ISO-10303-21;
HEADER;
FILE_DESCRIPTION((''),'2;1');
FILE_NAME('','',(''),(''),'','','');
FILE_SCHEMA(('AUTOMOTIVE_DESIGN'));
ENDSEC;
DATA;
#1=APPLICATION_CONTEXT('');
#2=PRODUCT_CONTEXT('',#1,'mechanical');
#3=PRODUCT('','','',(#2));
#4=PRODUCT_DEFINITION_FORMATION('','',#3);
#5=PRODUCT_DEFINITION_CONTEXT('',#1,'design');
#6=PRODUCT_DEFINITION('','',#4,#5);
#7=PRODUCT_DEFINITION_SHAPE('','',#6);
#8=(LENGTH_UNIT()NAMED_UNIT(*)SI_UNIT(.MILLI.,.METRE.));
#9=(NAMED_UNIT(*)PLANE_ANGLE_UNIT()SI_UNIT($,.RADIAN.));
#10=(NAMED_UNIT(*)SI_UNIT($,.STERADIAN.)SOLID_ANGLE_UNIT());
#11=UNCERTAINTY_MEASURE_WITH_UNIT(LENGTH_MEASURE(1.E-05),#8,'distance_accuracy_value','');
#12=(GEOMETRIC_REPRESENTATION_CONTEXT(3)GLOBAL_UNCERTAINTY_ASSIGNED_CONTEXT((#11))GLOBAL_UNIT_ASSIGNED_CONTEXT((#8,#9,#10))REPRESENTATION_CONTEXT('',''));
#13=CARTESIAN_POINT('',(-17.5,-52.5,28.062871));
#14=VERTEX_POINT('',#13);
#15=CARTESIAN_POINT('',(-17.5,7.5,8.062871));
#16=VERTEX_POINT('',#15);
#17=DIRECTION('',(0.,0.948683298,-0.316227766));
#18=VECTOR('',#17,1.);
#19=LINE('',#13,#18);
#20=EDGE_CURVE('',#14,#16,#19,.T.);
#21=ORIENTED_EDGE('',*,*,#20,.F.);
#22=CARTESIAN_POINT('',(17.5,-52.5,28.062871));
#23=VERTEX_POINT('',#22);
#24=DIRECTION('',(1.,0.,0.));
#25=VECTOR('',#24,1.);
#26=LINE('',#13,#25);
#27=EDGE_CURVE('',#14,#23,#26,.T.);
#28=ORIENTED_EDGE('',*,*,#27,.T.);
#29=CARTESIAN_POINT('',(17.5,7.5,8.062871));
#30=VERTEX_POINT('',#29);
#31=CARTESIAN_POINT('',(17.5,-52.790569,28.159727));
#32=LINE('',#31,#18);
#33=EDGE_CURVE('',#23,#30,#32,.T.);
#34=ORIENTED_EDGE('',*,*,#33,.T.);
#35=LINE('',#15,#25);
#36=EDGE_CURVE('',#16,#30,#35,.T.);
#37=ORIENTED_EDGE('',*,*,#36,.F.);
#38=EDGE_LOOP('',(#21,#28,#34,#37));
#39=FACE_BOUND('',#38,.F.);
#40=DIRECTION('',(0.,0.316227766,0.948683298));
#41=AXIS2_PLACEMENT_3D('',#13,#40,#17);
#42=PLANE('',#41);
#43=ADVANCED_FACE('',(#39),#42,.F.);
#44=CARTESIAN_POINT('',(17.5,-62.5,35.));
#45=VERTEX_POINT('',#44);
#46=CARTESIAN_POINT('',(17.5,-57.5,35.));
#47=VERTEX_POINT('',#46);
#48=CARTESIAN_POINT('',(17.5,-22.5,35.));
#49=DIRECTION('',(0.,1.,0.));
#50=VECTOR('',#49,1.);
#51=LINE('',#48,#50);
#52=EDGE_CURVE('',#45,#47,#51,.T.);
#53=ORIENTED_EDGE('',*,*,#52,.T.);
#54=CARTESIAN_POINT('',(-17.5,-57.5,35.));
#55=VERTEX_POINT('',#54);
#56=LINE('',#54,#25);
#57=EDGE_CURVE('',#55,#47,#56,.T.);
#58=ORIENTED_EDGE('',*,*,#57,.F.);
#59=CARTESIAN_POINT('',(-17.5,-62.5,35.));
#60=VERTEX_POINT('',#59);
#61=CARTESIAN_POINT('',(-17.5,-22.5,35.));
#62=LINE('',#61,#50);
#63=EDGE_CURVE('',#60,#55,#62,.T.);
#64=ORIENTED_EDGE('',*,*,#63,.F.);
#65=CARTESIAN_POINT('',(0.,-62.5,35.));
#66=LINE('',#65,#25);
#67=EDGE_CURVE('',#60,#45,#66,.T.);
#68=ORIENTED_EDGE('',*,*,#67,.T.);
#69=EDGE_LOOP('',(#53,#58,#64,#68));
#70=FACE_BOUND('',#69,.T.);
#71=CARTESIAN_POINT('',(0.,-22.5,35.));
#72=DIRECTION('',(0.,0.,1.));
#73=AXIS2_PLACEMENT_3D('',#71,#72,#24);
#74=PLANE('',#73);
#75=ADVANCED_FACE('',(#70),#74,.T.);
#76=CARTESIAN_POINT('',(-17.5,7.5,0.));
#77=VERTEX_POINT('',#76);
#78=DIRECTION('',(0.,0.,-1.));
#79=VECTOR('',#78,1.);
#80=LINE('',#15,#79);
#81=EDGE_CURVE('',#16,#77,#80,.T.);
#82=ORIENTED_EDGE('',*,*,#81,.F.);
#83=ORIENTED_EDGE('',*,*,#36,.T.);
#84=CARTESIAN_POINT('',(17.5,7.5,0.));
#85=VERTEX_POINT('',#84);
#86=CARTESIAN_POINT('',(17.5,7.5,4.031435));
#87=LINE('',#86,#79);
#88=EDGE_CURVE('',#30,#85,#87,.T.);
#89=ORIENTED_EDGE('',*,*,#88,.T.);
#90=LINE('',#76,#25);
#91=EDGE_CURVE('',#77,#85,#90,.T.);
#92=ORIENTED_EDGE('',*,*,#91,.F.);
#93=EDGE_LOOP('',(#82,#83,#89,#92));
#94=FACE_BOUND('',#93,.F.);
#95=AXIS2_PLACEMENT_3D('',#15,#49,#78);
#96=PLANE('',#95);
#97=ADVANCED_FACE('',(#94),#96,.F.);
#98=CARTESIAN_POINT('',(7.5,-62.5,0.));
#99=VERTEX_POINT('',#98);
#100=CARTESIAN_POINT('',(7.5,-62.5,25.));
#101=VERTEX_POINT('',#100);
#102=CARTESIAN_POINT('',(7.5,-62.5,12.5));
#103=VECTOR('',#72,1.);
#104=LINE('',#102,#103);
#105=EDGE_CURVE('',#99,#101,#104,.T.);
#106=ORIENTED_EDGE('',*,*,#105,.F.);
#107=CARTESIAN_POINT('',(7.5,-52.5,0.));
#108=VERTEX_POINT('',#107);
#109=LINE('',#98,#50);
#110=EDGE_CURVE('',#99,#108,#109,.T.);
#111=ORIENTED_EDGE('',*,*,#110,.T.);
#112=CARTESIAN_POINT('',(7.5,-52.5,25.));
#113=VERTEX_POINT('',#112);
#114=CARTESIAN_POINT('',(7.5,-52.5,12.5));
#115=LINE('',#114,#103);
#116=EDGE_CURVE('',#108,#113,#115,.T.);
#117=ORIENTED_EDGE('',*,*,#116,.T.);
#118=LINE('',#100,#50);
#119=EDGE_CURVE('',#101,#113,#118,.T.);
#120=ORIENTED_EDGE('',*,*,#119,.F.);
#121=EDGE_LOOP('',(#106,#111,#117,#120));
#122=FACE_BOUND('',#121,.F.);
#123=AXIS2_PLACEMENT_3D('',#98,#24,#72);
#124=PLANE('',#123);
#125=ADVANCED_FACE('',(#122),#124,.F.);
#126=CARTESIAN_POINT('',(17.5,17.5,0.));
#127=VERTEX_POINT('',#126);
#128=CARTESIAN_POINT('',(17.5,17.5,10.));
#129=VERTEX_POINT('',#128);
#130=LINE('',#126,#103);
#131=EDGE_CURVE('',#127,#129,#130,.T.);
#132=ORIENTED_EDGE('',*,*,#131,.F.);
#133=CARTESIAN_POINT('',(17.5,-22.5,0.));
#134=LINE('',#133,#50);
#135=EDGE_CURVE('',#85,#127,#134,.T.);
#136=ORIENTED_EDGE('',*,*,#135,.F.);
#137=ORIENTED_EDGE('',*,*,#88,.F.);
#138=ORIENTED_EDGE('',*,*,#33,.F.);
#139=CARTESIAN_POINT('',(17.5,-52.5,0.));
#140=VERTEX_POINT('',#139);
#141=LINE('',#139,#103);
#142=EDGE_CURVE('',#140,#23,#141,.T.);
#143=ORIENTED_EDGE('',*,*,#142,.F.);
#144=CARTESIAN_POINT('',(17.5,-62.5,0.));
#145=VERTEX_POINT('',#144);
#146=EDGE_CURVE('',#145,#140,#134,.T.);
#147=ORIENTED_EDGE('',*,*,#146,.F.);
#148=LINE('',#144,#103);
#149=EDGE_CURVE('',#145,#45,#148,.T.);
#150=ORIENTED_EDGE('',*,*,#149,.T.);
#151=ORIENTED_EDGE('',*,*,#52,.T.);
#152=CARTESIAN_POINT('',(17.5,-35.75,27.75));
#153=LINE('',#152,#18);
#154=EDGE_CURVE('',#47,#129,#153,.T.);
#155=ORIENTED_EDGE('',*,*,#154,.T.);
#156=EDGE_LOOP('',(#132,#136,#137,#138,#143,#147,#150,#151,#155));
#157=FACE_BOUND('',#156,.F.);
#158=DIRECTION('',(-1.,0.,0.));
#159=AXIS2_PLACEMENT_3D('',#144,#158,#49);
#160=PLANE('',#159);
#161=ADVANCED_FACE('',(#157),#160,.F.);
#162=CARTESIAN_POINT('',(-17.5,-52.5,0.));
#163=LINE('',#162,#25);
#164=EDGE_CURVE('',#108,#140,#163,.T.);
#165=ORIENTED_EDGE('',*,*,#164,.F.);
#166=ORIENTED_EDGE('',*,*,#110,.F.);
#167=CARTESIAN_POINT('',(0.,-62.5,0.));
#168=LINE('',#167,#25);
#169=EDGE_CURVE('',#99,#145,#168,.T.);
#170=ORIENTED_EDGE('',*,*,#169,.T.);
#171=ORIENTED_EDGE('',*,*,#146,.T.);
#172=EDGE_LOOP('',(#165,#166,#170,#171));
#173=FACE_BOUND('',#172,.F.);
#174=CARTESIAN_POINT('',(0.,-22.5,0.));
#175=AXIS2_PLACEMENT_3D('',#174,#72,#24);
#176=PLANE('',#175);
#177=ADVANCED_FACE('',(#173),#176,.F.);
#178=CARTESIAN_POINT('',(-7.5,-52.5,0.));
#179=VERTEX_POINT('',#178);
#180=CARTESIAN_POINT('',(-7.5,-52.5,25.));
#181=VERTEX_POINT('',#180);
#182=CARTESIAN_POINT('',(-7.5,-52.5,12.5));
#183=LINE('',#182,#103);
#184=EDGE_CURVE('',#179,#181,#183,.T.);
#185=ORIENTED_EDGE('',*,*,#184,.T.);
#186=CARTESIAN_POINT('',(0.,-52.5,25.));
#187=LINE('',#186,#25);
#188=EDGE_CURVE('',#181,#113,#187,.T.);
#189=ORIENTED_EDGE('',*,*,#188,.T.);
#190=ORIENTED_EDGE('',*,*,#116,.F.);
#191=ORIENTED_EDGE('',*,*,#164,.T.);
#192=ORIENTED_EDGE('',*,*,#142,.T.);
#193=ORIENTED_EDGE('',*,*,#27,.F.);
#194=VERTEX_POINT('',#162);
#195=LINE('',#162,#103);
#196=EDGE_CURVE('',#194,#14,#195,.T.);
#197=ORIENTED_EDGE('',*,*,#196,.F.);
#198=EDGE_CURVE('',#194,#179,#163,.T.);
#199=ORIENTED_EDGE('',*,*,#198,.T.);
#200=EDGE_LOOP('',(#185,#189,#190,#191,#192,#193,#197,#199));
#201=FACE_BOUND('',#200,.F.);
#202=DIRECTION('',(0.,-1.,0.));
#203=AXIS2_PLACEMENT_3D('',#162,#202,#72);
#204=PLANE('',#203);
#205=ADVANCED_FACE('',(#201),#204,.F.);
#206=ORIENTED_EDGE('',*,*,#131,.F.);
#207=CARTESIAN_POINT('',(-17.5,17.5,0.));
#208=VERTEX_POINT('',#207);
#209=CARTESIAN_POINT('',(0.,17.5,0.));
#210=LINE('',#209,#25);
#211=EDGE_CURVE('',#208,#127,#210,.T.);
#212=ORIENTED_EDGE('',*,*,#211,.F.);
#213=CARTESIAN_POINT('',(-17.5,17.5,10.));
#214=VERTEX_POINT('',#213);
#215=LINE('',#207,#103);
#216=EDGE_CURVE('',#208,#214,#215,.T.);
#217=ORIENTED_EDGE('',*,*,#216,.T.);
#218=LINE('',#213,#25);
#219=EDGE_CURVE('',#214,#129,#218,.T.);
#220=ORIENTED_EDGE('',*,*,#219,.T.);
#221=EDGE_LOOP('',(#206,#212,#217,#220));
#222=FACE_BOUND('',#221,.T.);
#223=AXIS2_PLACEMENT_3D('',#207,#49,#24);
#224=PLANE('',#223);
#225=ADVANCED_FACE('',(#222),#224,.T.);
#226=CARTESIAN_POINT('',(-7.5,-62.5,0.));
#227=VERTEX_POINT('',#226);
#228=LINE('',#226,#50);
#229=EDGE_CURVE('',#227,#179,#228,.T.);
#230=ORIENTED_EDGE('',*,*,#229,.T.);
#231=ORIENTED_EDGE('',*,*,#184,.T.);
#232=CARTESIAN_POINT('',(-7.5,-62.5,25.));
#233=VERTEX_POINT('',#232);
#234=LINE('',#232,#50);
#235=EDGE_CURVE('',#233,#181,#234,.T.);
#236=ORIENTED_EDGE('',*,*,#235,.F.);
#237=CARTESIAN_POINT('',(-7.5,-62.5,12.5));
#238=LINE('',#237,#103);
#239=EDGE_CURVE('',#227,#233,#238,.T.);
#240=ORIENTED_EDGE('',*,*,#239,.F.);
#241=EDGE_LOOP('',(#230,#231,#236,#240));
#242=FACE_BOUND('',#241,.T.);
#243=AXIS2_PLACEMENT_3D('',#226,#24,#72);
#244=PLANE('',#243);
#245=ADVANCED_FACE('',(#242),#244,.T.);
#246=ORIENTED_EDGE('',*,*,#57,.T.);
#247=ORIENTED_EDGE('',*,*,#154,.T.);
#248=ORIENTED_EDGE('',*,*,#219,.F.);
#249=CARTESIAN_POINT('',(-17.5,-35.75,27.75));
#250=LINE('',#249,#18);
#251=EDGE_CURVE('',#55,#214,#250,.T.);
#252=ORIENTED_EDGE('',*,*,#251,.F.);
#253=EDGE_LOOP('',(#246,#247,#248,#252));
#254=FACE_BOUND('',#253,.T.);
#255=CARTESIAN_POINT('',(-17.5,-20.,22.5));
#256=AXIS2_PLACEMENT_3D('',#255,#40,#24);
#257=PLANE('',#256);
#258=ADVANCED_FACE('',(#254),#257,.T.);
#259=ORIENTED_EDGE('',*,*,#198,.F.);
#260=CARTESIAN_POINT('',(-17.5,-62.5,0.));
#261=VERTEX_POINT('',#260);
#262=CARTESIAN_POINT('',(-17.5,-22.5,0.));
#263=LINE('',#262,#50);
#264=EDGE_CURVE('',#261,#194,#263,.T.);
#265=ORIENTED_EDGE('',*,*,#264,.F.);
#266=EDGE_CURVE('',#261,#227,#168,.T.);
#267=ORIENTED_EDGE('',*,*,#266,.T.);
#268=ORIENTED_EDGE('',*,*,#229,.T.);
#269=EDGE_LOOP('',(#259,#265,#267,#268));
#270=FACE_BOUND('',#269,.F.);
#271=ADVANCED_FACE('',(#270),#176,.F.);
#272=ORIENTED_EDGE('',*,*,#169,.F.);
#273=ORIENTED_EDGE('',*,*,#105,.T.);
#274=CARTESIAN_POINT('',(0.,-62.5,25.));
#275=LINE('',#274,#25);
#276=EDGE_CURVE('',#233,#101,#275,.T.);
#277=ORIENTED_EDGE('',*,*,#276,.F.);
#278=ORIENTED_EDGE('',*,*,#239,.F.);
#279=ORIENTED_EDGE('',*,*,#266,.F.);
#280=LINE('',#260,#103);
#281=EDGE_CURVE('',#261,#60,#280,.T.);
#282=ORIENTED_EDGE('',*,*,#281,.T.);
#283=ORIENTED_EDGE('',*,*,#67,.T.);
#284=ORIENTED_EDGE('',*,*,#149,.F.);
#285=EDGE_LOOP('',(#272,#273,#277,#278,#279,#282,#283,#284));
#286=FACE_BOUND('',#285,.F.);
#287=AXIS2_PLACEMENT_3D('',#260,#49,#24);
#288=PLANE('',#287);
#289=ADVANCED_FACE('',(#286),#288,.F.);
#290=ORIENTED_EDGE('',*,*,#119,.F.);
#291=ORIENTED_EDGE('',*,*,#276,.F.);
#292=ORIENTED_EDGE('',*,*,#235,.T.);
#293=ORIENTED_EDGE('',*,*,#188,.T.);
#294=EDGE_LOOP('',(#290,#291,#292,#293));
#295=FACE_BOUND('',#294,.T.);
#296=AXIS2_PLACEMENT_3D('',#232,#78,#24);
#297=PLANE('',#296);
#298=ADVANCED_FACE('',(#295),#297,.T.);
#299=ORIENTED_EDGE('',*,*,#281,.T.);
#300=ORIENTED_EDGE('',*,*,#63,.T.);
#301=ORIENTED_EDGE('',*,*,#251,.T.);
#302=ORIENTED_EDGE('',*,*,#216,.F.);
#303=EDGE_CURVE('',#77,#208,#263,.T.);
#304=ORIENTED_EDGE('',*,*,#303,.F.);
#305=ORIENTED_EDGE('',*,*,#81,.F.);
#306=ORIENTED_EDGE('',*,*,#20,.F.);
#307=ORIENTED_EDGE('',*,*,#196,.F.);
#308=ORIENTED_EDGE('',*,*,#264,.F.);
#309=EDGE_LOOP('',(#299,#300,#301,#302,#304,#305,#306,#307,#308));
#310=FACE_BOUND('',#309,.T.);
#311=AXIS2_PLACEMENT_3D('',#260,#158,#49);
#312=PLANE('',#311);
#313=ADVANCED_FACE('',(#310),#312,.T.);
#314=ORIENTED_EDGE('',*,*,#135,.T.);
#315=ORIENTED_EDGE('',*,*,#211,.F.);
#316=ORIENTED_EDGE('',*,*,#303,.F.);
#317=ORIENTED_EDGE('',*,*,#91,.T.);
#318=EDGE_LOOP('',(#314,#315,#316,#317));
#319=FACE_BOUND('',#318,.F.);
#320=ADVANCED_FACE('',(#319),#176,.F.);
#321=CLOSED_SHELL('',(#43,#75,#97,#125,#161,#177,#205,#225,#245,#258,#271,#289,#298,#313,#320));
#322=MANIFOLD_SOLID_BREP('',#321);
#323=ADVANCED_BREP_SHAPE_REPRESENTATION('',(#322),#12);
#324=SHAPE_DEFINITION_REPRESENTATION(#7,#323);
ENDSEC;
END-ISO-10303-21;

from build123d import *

# Parameters (mm, degrees)
F0_W     = 35
F0_H     = 80
F1_DEPTH = 35
F2_SIZE2 = 25
F2_SIZE  = 75
F4_DEPTH = 35.001
F5_W     = 15
F5_H     = 25
F6_DEPTH = 10


with BuildPart() as f1:
    # F0 (on Top) → F1 (new body)
    with BuildSketch(Plane.XY):
        with Locations((0, -22.5)):
            Rectangle(F0_W, F0_H)
    extrude(amount=F1_DEPTH)

    # F2
    f2_edges = [f1.edges().sort_by_distance(p)[0] for p in [
        (0, 17.5, 35),
    ]]
    f2_side = f1.faces().sort_by_distance((0, -22.5, 35))[0]
    chamfer(f2_edges, length=F2_SIZE, length2=F2_SIZE2, reference=f2_side)

    # F3 (on face) → F4 (cut, through all)
    with BuildSketch(Plane(origin=(-17.5, 0, 0), x_dir=(0, -1, 0), z_dir=(-1, 0, 0))):
        Polygon((-7.5, 8.0628705664), (-7.5, 0), (52.5, 0), (52.5, 28.0628705664), align=None)
    extrude(amount=-F4_DEPTH, mode=Mode.SUBTRACT)

    # F5 (on face) → F6 (cut)
    with BuildSketch(Plane.XZ.offset(62.5)):
        with Locations((0, 12.5)):
            Rectangle(F5_W, F5_H)
    extrude(amount=-F6_DEPTH, mode=Mode.SUBTRACT)


solid = f1.part
